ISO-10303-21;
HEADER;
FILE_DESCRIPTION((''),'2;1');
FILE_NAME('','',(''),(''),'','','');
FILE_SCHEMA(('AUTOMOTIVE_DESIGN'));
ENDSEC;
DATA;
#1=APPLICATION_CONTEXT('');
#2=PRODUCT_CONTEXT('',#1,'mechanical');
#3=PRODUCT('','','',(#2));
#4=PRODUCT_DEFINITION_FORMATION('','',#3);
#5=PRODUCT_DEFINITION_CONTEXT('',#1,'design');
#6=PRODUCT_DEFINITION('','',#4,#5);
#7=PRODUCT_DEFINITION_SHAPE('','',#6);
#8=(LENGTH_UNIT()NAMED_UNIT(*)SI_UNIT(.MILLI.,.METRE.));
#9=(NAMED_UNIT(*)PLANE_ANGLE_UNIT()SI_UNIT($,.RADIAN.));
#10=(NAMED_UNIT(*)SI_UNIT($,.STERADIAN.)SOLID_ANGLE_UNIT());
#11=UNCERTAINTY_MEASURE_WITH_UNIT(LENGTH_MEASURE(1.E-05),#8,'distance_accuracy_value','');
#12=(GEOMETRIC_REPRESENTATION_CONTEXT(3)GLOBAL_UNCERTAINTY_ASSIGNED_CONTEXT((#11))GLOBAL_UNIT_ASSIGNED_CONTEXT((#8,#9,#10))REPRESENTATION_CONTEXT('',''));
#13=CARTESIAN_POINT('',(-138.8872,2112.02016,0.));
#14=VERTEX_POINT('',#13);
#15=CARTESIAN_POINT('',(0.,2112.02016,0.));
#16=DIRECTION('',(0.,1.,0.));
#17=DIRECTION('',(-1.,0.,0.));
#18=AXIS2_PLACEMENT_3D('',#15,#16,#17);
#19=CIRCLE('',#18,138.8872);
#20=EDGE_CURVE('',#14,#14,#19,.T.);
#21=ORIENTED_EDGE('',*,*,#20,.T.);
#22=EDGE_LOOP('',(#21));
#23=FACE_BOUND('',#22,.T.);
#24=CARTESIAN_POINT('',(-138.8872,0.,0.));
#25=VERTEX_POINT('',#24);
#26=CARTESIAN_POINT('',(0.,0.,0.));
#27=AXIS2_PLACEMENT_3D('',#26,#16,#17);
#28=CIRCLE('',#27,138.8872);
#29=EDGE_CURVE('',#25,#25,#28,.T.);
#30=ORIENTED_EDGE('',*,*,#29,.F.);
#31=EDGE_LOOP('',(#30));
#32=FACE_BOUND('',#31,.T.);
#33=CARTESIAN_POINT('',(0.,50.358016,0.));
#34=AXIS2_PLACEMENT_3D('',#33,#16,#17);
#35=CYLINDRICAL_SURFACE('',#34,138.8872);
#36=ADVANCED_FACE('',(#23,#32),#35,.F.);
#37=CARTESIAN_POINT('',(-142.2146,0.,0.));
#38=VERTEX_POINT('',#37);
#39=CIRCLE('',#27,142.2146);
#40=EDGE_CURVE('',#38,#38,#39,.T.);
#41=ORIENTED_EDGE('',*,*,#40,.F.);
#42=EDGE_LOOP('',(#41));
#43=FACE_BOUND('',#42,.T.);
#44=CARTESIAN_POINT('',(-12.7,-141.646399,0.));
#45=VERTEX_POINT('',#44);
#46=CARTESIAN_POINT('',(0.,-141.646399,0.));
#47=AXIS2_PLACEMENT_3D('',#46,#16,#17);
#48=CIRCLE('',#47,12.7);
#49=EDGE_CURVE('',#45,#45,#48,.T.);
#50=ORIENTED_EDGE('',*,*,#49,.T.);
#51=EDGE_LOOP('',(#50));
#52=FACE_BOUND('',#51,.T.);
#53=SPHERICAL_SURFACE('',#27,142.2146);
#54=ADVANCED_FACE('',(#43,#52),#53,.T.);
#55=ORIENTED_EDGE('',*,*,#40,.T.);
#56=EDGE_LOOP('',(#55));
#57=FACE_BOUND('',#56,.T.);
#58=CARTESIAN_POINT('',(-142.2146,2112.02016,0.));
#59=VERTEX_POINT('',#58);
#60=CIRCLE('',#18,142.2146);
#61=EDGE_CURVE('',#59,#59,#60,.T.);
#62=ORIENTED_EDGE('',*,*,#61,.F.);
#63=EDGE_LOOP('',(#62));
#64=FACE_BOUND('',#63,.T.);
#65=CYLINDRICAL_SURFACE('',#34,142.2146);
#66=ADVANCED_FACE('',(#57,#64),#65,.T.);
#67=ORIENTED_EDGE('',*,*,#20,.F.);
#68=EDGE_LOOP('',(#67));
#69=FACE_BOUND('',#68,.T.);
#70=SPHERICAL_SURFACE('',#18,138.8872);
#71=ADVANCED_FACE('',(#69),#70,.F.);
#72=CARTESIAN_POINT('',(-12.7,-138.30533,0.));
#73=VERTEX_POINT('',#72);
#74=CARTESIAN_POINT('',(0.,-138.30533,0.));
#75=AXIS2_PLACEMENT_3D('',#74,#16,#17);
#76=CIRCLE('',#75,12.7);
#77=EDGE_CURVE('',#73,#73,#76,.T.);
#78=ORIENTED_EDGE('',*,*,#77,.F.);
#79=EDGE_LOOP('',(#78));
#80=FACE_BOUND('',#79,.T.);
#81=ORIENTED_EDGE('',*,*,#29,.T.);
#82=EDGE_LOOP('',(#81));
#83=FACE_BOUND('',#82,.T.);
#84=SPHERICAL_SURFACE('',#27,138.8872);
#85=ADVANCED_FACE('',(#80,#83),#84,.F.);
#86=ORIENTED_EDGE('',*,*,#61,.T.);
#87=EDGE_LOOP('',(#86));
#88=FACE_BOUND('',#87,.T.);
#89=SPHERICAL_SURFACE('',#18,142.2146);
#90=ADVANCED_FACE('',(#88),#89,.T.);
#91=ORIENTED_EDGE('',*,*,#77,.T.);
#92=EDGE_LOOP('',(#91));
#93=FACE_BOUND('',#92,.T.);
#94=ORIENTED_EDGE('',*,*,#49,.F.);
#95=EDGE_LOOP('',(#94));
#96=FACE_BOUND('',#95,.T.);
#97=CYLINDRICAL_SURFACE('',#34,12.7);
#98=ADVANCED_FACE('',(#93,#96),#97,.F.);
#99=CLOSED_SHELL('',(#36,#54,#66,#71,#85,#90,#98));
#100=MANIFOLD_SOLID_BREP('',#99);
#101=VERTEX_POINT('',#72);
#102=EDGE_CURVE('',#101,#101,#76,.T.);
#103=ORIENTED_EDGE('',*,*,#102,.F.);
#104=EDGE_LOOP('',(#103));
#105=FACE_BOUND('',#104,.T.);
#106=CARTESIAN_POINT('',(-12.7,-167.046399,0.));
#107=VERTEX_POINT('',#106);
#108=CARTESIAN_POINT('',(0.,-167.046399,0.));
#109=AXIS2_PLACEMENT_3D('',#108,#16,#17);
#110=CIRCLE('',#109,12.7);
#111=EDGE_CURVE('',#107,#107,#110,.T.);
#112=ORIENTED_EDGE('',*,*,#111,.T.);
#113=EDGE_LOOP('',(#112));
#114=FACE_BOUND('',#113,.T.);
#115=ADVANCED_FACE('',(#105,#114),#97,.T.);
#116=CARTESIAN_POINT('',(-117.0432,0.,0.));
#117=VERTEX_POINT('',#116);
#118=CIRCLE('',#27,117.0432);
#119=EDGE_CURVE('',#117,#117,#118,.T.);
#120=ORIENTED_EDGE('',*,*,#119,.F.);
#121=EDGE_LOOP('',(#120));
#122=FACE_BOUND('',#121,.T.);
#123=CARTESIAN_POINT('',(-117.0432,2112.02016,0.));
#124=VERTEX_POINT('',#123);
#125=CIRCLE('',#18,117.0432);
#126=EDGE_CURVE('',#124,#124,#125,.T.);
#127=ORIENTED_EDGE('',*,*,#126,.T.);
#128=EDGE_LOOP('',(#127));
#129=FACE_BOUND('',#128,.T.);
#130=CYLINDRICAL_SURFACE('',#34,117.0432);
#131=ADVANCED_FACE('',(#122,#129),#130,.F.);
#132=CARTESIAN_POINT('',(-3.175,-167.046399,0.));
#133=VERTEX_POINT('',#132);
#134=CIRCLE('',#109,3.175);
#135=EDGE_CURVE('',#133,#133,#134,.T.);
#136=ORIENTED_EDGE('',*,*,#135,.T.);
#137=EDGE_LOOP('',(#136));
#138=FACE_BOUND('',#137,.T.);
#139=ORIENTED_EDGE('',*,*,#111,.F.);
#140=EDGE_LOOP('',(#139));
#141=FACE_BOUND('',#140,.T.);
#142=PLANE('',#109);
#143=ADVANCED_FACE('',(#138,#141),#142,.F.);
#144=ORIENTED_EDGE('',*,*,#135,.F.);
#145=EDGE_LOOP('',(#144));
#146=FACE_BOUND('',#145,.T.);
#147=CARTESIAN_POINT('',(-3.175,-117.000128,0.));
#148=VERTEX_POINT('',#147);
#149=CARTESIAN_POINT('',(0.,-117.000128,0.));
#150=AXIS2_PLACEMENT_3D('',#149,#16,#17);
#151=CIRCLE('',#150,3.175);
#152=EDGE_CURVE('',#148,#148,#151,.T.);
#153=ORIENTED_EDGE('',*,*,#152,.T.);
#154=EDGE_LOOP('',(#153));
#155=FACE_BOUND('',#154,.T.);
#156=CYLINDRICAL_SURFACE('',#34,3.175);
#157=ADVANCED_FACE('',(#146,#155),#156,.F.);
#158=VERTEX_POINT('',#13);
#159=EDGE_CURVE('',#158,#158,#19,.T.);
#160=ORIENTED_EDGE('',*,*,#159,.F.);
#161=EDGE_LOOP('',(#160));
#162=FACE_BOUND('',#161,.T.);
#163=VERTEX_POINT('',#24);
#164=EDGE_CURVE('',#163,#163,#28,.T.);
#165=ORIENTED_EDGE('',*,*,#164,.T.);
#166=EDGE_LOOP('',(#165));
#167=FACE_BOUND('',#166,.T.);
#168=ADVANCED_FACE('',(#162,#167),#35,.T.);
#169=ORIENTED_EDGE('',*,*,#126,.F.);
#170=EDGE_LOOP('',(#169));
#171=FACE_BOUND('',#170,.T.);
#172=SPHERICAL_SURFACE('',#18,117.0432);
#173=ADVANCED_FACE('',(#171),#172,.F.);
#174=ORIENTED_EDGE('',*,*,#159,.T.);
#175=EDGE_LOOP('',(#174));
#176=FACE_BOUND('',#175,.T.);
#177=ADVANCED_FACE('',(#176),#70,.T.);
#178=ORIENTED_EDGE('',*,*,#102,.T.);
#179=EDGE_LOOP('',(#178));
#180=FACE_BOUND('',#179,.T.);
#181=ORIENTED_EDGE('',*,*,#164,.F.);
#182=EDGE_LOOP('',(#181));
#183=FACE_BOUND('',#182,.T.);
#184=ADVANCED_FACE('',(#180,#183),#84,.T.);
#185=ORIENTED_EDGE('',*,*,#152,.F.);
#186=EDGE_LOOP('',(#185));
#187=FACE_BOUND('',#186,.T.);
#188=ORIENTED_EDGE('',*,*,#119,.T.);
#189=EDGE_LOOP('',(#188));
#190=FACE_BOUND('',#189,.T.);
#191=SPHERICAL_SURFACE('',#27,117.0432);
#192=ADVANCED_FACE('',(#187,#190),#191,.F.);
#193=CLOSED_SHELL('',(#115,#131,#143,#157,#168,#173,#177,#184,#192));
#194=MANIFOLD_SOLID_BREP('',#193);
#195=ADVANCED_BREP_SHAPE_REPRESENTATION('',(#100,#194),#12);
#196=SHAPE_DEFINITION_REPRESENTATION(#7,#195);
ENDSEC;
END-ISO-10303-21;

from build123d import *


with BuildPart() as part:
    # Sketch1 (on Front Plane) → Revolve1 (revolve)
    with BuildSketch(Plane.XY):
        with BuildLine():
            Line((-117.0432, 2112.02016), (-117.0432, 0))
            ThreePointArc((-117.0432, 0), (-83.877061305, -81.631790701), (-3.175, -117.000128381))
            Line((-3.175, -117.000128381), (-3.175, -167.046399365))
            Line((-3.175, -167.046399365), (-12.7, -167.046399365))
            Line((-12.7, -167.046399365), (-12.7, -138.305330063))
            ThreePointArc((-12.7, -138.305330063), (-102.600004298, -93.610327646), (-138.8872, 0))
            Line((-138.8872, 0), (-138.8872, 2112.02016))
            ThreePointArc((-138.8872, 2112.02016), (-98.20808094, 2210.22824094), (0, 2250.90736))
            Line((0, 2250.90736), (0, 2229.06336))
            ThreePointArc((0, 2229.06336), (-82.762040412, 2194.782200412), (-117.0432, 2112.02016))
        make_face()
    revolve(axis=Axis((0, 50.358015581, 0), (0, -1, 0)))


with BuildPart() as body_2:
    # Sketch1<4> → Revolve2 (revolve)
    with BuildSketch(Plane.XY):
        with BuildLine():
            ThreePointArc((-138.8872, 2112.02016), (-98.20808094, 2210.22824094), (0, 2250.90736))
            Line((0, 2250.90736), (0, 2254.23476))
            ThreePointArc((0, 2254.23476), (-100.560908044, 2212.581068044), (-142.2146, 2112.02016))
            Line((-142.2146, 2112.02016), (-142.2146, 0))
            ThreePointArc((-142.2146, 0), (-104.955032926, -95.965793471), (-12.7, -141.646399365))
            Line((-12.7, -141.646399365), (-12.7, -138.305330063))
            ThreePointArc((-12.7, -138.305330063), (-102.600004298, -93.610327646), (-138.8872, 0))
            Line((-138.8872, 0), (-138.8872, 2112.02016))
        make_face()
    revolve(axis=Axis((0, 50.358015581, 0), (0, -1, 0)))


solid = Compound([part.part, body_2.part])
